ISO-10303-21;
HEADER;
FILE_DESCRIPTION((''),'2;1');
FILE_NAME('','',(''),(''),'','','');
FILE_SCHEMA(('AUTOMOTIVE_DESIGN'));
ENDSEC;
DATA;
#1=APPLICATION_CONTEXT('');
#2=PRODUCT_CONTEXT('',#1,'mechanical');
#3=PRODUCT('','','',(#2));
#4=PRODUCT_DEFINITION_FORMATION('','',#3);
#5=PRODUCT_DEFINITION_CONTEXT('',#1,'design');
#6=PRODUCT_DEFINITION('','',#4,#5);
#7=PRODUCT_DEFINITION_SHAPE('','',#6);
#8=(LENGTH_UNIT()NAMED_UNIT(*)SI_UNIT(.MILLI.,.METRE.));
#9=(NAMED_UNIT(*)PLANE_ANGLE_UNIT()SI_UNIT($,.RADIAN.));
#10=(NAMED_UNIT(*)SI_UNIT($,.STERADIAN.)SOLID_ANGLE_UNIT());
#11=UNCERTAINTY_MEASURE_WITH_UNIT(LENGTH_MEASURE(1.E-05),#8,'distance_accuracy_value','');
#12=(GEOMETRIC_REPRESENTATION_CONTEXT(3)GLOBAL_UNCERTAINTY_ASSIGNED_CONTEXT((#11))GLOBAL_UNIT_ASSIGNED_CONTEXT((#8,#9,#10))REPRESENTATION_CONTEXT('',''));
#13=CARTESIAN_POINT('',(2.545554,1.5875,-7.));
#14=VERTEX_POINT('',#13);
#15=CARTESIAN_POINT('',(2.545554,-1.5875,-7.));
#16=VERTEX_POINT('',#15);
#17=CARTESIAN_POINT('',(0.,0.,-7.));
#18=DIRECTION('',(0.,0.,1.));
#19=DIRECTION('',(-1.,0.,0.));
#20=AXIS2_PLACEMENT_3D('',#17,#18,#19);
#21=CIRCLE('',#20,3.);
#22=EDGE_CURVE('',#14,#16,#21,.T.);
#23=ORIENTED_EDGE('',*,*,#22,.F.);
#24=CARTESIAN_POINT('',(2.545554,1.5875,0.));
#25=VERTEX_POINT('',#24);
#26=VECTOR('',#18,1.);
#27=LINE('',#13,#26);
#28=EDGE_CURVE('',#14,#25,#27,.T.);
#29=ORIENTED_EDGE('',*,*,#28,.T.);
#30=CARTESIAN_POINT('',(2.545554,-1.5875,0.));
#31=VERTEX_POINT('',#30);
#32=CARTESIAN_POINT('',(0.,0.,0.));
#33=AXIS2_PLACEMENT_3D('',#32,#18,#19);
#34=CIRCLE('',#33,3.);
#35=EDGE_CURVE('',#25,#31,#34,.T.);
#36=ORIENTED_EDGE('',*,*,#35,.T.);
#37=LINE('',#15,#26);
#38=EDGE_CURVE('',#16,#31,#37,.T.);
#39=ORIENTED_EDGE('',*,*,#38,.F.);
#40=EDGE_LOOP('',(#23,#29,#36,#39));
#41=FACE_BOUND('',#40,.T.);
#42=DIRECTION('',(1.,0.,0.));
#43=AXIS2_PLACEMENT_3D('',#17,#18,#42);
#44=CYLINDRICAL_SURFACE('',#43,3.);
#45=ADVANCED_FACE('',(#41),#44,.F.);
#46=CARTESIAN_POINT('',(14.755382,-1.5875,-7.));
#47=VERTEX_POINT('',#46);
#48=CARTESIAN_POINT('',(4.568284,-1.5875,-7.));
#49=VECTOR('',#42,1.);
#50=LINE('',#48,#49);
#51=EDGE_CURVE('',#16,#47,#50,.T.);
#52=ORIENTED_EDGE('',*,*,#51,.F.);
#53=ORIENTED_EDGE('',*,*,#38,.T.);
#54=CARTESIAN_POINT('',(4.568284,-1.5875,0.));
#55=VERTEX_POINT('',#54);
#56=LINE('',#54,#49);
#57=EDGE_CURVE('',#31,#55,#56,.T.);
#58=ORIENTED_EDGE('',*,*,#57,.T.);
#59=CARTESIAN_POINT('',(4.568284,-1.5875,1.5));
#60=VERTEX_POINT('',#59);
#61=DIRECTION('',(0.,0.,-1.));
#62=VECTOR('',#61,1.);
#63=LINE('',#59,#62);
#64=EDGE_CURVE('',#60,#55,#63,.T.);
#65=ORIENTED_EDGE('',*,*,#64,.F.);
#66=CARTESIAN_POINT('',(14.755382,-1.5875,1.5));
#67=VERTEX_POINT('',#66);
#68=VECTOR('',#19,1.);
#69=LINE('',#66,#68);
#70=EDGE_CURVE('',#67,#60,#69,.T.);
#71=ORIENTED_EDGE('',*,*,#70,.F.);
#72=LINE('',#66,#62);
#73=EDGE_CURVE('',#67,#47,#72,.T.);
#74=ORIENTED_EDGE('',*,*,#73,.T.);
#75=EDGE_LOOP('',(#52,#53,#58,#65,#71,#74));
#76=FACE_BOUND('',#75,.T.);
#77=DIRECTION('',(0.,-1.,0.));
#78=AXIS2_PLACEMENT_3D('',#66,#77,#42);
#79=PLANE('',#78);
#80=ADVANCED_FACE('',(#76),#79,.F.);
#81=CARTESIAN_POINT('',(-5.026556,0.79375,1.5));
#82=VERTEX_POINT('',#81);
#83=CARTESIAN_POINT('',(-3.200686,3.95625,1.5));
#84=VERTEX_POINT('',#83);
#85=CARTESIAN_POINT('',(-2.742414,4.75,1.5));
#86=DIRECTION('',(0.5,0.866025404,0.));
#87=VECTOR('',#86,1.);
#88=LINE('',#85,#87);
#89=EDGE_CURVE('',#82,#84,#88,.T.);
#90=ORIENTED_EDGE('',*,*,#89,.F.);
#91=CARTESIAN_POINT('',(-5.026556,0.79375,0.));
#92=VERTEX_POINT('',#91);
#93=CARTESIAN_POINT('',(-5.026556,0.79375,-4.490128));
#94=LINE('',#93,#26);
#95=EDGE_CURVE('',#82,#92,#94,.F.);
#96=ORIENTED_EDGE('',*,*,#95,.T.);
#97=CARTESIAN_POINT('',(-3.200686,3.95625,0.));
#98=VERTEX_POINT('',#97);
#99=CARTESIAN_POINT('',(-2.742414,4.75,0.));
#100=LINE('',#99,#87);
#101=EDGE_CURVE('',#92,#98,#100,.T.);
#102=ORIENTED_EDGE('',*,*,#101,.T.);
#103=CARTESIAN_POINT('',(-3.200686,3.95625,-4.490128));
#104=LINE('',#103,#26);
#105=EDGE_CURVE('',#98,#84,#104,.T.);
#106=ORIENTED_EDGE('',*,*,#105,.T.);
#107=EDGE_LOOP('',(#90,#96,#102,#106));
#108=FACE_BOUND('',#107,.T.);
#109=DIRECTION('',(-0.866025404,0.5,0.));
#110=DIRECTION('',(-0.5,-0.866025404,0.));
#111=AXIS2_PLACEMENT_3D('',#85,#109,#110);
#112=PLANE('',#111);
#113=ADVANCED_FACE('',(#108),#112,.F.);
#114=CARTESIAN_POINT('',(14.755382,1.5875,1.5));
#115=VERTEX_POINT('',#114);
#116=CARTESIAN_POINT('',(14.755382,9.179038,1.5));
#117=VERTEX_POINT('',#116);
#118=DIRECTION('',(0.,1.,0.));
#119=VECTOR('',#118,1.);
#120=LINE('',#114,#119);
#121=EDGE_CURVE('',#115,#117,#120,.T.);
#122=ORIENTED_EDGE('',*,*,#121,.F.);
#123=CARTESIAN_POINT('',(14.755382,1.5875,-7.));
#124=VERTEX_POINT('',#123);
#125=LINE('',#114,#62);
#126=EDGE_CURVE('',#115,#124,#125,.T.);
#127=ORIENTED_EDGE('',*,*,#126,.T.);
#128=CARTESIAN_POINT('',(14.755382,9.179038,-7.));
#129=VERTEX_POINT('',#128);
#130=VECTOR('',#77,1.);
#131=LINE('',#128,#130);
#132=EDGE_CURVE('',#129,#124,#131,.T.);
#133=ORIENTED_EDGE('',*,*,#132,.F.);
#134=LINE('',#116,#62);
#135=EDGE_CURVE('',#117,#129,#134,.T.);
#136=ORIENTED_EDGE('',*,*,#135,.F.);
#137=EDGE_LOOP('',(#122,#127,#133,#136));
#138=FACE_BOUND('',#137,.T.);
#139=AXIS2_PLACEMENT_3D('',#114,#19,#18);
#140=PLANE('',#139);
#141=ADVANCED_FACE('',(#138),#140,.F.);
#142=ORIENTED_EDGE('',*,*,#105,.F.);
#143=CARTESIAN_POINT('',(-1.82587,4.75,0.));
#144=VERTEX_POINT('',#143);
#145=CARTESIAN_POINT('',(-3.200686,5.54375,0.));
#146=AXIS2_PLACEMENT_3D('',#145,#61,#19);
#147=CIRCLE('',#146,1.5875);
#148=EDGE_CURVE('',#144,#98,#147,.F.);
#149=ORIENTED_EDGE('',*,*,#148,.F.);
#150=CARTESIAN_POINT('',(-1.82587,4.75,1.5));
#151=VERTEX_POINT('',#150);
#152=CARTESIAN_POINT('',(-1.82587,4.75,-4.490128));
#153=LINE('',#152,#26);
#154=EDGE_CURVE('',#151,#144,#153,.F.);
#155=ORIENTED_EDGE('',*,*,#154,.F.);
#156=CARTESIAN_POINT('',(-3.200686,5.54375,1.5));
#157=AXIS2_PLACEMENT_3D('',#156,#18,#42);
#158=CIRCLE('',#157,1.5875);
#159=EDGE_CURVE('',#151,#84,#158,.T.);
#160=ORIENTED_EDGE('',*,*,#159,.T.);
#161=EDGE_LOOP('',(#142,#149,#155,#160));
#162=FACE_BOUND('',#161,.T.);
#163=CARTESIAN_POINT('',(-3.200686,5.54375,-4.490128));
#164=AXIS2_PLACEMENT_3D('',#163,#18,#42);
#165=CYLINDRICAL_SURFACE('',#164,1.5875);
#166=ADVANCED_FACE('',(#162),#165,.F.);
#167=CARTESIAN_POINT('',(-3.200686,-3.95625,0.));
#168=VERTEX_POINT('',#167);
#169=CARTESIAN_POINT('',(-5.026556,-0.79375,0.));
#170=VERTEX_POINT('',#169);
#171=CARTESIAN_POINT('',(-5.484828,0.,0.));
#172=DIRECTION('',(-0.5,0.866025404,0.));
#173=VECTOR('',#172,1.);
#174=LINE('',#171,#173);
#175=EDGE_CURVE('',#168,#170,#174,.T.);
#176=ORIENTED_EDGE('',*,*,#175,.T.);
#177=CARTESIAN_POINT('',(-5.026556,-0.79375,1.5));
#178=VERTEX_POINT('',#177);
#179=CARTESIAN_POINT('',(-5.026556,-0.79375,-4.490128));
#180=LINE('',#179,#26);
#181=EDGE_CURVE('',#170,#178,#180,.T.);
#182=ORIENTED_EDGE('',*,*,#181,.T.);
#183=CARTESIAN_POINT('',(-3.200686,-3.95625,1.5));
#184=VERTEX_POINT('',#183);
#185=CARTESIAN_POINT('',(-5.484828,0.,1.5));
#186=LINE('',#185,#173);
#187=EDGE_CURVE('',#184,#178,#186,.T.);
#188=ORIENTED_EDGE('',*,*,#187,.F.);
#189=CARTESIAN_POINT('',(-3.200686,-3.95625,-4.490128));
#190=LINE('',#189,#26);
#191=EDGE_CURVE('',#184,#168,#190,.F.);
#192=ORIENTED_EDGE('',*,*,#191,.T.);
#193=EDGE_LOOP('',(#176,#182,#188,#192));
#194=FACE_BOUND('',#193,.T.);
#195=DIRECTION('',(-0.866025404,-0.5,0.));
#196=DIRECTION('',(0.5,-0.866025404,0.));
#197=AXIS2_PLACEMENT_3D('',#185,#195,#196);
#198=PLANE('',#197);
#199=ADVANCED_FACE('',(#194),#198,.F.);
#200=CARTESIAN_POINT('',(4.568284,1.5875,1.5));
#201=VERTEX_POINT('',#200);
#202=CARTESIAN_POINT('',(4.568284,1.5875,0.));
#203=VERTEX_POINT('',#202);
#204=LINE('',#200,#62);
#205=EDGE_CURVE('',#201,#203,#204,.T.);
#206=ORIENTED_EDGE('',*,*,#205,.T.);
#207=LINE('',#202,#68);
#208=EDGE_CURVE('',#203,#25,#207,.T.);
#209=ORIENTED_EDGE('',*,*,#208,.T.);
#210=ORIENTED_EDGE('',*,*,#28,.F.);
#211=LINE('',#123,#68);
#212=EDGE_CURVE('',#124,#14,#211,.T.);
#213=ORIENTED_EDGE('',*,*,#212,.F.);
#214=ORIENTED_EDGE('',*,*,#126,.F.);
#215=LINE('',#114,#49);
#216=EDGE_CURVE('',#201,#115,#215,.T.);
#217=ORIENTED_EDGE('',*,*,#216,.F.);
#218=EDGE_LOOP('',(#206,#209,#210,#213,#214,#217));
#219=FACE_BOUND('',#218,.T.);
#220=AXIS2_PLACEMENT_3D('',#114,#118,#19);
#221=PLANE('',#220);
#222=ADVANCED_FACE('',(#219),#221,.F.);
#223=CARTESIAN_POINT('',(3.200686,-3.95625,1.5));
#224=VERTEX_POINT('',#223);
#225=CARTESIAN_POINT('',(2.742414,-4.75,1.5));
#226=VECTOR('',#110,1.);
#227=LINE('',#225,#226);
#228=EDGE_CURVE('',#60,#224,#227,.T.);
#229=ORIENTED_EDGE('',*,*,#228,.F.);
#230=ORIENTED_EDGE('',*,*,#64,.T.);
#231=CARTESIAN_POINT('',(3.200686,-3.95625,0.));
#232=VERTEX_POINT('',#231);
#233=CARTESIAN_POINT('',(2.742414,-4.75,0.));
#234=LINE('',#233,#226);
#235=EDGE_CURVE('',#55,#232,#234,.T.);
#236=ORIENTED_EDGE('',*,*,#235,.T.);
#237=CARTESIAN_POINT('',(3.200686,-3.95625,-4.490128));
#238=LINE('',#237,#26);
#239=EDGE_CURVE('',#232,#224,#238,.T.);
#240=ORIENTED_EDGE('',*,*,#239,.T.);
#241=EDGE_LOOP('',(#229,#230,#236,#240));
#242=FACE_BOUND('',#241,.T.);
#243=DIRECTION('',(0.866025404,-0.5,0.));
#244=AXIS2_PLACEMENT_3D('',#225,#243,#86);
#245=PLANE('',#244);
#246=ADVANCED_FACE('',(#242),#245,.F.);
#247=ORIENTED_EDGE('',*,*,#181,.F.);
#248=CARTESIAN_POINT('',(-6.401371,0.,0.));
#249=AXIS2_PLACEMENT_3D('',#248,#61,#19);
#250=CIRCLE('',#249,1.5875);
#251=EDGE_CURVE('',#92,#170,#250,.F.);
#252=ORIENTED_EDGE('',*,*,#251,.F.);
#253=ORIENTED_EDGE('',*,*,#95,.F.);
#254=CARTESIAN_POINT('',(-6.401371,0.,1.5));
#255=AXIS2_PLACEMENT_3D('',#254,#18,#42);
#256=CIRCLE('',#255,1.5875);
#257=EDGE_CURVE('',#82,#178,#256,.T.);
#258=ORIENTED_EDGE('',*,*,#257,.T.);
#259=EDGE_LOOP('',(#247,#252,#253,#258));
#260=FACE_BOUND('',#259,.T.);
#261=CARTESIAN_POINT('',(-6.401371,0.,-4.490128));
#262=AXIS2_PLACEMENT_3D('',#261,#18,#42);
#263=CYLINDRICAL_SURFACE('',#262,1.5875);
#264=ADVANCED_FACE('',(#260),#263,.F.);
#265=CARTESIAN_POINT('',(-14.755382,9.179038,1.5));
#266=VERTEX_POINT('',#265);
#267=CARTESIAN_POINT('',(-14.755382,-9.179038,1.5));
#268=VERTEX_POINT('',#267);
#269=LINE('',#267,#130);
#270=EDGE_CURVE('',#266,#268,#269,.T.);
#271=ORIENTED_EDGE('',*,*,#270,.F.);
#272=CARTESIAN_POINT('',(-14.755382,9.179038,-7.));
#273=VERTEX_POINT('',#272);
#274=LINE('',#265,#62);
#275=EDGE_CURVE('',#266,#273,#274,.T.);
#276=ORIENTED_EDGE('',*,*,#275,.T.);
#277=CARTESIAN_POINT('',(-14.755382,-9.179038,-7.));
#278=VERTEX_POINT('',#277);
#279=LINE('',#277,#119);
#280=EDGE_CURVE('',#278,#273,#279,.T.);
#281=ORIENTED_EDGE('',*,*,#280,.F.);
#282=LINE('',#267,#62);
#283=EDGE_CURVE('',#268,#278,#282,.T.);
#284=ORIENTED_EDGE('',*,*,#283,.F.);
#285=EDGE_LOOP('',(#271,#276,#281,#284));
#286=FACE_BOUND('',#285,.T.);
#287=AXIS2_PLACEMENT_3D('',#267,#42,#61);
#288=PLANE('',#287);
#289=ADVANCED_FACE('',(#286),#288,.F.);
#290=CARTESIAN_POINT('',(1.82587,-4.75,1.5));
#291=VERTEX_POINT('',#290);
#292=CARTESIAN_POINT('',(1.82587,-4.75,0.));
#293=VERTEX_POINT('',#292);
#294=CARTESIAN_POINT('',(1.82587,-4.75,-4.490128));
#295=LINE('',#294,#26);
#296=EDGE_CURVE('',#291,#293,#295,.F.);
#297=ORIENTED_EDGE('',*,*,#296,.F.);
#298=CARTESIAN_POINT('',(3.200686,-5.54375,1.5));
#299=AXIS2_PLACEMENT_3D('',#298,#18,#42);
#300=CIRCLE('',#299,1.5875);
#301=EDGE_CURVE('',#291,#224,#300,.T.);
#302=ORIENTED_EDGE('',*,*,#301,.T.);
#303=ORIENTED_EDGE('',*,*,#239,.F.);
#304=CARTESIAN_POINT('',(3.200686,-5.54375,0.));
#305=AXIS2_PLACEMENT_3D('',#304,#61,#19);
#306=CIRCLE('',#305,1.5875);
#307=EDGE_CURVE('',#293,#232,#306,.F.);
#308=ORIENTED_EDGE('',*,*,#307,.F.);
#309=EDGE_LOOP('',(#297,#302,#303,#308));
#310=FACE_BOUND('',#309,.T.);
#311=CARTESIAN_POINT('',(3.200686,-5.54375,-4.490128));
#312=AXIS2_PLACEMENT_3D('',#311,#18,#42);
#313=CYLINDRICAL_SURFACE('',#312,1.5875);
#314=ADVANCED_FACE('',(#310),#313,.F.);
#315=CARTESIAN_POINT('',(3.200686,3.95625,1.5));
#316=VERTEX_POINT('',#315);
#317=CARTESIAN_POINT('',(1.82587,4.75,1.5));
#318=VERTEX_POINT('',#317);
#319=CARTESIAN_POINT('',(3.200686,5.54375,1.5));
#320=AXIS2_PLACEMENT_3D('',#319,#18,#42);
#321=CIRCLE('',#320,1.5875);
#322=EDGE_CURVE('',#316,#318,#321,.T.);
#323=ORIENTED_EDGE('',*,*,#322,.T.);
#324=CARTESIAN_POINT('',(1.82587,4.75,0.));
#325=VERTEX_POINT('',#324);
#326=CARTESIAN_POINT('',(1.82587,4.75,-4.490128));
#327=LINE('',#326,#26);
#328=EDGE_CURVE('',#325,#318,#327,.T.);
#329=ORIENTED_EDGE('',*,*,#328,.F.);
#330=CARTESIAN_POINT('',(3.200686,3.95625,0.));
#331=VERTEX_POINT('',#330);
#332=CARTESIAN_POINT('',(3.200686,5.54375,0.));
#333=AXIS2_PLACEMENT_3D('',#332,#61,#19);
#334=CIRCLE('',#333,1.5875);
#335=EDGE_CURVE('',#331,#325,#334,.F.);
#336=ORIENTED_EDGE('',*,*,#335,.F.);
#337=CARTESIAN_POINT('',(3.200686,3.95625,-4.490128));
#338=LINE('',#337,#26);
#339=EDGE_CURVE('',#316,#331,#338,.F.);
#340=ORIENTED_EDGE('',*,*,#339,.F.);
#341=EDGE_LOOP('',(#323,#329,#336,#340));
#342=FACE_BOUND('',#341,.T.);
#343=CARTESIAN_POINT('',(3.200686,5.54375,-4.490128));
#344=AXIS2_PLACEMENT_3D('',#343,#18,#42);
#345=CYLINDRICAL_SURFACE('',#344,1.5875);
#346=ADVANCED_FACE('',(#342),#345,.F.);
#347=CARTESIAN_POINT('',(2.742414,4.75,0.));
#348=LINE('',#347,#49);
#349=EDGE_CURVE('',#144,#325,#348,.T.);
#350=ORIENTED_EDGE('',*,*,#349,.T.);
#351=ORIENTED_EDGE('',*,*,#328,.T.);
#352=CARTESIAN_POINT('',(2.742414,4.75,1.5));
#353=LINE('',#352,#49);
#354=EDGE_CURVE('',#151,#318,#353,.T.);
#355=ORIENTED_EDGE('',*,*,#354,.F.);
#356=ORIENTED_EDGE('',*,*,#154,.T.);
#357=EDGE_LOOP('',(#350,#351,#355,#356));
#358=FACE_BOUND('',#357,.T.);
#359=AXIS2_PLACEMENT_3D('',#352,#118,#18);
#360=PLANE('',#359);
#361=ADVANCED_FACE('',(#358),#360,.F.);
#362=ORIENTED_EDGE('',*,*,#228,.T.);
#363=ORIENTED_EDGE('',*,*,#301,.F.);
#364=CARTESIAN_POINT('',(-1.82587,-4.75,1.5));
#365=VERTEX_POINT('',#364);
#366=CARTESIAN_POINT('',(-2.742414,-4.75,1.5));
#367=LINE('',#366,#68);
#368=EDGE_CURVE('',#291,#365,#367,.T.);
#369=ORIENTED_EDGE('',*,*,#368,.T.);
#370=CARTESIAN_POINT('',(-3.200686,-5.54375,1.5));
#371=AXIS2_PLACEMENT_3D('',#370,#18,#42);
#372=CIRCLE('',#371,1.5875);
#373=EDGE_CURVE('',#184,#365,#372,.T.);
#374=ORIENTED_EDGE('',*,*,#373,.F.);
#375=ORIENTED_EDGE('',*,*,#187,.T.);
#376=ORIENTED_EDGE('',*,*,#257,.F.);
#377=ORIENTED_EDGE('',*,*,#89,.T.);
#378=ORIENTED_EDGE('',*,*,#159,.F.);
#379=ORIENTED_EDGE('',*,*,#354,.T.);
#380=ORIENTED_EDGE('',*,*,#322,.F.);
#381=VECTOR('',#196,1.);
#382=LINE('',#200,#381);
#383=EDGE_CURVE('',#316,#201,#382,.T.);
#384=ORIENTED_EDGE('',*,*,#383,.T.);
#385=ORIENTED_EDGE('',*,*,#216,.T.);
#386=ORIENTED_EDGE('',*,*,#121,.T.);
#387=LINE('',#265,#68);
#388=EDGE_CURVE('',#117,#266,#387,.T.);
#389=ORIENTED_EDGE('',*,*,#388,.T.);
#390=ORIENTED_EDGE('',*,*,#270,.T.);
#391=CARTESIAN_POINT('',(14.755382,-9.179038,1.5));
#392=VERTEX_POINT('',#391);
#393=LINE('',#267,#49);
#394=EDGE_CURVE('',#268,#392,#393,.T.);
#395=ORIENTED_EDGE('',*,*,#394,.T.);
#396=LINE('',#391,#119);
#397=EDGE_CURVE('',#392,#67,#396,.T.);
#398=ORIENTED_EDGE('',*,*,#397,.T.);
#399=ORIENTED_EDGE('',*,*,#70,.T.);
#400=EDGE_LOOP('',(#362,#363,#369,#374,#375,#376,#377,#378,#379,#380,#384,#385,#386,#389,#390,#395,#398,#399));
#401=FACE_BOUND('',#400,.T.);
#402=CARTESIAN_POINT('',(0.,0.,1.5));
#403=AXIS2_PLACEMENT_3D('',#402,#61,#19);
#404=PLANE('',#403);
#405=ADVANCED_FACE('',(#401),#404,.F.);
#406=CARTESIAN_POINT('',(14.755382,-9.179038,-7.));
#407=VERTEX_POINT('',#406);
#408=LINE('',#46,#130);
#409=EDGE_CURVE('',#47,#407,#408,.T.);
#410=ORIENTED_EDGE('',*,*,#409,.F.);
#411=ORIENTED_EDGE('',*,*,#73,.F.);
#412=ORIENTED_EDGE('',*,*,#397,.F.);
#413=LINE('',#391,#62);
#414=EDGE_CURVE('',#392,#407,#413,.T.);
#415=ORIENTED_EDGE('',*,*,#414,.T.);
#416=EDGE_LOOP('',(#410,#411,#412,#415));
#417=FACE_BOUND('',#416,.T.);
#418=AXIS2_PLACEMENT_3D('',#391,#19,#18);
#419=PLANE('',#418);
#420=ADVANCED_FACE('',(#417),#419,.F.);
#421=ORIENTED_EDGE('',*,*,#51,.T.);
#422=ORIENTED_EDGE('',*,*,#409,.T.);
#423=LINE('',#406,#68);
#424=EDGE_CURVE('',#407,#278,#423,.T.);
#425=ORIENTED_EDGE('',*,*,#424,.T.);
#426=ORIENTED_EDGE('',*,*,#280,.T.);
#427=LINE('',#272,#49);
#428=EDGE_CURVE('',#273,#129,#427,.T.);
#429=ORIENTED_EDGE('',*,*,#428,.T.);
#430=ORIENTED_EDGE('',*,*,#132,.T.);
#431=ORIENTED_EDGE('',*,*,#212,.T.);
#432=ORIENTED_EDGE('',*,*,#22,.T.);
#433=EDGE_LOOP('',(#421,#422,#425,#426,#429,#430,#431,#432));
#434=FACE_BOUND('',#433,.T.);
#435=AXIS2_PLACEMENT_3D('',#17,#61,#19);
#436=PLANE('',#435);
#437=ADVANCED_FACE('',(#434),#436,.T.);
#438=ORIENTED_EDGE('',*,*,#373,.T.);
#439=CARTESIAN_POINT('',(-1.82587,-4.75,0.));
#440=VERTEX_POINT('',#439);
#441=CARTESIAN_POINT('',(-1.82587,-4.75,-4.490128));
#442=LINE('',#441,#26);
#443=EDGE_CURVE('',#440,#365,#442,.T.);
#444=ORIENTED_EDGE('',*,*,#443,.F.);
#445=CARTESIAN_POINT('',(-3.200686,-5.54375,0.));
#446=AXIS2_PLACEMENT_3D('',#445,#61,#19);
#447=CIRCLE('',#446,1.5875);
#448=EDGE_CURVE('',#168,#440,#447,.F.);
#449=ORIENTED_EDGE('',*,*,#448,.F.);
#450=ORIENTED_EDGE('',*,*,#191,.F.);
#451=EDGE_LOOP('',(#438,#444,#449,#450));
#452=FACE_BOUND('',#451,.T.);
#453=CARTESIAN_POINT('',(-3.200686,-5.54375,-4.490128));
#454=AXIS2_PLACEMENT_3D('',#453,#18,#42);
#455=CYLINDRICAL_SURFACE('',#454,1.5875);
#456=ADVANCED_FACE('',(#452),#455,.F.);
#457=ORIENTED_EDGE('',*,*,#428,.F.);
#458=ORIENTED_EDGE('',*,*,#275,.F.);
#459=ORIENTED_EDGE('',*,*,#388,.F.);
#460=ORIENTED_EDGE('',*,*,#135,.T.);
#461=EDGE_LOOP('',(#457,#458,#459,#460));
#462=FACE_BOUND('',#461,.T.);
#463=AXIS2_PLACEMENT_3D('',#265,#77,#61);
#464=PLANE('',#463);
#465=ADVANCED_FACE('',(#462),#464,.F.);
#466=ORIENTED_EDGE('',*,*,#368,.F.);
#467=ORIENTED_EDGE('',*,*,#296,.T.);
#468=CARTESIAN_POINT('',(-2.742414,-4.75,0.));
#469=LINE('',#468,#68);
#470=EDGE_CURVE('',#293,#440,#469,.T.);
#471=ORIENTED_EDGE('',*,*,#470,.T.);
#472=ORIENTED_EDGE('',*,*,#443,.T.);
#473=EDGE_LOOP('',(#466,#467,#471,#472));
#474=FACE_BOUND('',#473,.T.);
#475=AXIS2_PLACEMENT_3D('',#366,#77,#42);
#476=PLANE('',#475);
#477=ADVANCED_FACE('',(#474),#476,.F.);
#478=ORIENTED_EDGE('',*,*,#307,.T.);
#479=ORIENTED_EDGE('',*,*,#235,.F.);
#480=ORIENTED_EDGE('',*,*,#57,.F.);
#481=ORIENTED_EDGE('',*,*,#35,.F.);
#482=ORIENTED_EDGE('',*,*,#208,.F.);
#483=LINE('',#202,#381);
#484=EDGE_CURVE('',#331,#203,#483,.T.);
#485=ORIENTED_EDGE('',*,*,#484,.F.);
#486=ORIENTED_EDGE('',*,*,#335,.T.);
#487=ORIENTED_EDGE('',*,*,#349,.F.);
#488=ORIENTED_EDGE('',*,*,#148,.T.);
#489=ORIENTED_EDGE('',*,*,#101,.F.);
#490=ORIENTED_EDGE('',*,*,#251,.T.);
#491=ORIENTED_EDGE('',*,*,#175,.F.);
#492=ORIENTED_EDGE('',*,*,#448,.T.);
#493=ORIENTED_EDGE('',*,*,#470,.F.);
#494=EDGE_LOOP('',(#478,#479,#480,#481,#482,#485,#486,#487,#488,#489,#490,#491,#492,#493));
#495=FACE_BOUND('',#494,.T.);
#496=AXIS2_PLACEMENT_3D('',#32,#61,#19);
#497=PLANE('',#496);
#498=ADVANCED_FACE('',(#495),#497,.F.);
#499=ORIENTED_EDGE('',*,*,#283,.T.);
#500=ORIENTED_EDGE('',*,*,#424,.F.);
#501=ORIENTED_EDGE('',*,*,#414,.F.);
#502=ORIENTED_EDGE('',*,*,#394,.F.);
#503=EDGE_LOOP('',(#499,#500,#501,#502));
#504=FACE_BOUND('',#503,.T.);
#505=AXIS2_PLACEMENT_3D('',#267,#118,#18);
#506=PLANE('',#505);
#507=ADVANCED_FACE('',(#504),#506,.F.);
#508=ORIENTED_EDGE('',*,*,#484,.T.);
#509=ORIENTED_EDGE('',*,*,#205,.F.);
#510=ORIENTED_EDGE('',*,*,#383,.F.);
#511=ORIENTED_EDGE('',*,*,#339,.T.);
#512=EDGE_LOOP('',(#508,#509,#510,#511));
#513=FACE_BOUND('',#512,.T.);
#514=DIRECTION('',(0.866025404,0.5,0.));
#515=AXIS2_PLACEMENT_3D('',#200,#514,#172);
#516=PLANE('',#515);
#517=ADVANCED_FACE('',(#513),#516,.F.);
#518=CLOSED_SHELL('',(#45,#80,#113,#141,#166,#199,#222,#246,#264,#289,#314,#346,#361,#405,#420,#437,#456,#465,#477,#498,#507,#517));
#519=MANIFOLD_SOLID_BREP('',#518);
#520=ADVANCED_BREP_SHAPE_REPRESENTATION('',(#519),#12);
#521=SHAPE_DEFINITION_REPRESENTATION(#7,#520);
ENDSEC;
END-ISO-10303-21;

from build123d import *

# Parameters (mm, degrees)
BOSS_EXTRUDE1_DEPTH = 1.5
BOSS_EXTRUDE2_DEPTH = 7
SKETCH5_R           = 1.5875
CUT_EXTRUDE1_DEPTH  = 1.5


with BuildPart() as part:
    # Sketch1 → Boss-Extrude1 (new body)
    with BuildSketch(Plane.XY):
        Polygon((-2.742413779, 4.75), (-5.484827557, 0), (-2.742413779, -4.75), (2.742413779, -4.75), (4.568284005, -1.5875), (14.755382296, -1.5875), (14.755382296, -9.179038244), (-14.755382296, -9.179038244), (-14.755382296, 9.179038244), (14.755382296, 9.179038244), (14.755382296, 1.5875), (4.568284005, 1.5875), (2.742413779, 4.75), align=None)
    extrude(amount=BOSS_EXTRUDE1_DEPTH)

    # Sketch4 → Boss-Extrude2 (add)
    with BuildSketch(Plane(origin=(0, 0, 0), x_dir=(-1, 0, 0), z_dir=(0, 0, -1))):
        with BuildLine():
            Line((-4.568284005, 1.5875), (-2.545553722, 1.5875))
            ThreePointArc((-2.545553722, 1.5875), (3, 0), (-2.545553722, -1.5875))
            Line((-2.545553722, -1.5875), (-4.568284005, -1.5875))
            Line((-4.568284005, -1.5875), (-14.755382296, -1.5875))
            Line((-14.755382296, -1.5875), (-14.755382296, -9.179038244))
            Line((-14.755382296, -9.179038244), (14.755382296, -9.179038244))
            Line((14.755382296, -9.179038244), (14.755382296, 9.179038244))
            Line((14.755382296, 9.179038244), (-14.755382296, 9.179038244))
            Line((-14.755382296, 9.179038244), (-14.755382296, 1.5875))
            Line((-14.755382296, 1.5875), (-4.568284005, 1.5875))
        make_face()
    extrude(amount=BOSS_EXTRUDE2_DEPTH)

    # Sketch5 → Cut-Extrude1 (cut)
    with BuildSketch(Plane.XY.offset(1.5)):
        with Locations((3.200685555, 5.54375)):
            Circle(SKETCH5_R)
        with Locations((6.40137111, 0)):
            Circle(SKETCH5_R)
        with Locations((3.200685555, -5.54375)):
            Circle(SKETCH5_R)
        with Locations((-3.200685555, -5.54375)):
            Circle(SKETCH5_R)
        with Locations((-6.40137111, 0)):
            Circle(SKETCH5_R)
        with Locations((-3.200685555, 5.54375)):
            Circle(SKETCH5_R)
    extrude(amount=-CUT_EXTRUDE1_DEPTH, mode=Mode.SUBTRACT)


solid = part.part
